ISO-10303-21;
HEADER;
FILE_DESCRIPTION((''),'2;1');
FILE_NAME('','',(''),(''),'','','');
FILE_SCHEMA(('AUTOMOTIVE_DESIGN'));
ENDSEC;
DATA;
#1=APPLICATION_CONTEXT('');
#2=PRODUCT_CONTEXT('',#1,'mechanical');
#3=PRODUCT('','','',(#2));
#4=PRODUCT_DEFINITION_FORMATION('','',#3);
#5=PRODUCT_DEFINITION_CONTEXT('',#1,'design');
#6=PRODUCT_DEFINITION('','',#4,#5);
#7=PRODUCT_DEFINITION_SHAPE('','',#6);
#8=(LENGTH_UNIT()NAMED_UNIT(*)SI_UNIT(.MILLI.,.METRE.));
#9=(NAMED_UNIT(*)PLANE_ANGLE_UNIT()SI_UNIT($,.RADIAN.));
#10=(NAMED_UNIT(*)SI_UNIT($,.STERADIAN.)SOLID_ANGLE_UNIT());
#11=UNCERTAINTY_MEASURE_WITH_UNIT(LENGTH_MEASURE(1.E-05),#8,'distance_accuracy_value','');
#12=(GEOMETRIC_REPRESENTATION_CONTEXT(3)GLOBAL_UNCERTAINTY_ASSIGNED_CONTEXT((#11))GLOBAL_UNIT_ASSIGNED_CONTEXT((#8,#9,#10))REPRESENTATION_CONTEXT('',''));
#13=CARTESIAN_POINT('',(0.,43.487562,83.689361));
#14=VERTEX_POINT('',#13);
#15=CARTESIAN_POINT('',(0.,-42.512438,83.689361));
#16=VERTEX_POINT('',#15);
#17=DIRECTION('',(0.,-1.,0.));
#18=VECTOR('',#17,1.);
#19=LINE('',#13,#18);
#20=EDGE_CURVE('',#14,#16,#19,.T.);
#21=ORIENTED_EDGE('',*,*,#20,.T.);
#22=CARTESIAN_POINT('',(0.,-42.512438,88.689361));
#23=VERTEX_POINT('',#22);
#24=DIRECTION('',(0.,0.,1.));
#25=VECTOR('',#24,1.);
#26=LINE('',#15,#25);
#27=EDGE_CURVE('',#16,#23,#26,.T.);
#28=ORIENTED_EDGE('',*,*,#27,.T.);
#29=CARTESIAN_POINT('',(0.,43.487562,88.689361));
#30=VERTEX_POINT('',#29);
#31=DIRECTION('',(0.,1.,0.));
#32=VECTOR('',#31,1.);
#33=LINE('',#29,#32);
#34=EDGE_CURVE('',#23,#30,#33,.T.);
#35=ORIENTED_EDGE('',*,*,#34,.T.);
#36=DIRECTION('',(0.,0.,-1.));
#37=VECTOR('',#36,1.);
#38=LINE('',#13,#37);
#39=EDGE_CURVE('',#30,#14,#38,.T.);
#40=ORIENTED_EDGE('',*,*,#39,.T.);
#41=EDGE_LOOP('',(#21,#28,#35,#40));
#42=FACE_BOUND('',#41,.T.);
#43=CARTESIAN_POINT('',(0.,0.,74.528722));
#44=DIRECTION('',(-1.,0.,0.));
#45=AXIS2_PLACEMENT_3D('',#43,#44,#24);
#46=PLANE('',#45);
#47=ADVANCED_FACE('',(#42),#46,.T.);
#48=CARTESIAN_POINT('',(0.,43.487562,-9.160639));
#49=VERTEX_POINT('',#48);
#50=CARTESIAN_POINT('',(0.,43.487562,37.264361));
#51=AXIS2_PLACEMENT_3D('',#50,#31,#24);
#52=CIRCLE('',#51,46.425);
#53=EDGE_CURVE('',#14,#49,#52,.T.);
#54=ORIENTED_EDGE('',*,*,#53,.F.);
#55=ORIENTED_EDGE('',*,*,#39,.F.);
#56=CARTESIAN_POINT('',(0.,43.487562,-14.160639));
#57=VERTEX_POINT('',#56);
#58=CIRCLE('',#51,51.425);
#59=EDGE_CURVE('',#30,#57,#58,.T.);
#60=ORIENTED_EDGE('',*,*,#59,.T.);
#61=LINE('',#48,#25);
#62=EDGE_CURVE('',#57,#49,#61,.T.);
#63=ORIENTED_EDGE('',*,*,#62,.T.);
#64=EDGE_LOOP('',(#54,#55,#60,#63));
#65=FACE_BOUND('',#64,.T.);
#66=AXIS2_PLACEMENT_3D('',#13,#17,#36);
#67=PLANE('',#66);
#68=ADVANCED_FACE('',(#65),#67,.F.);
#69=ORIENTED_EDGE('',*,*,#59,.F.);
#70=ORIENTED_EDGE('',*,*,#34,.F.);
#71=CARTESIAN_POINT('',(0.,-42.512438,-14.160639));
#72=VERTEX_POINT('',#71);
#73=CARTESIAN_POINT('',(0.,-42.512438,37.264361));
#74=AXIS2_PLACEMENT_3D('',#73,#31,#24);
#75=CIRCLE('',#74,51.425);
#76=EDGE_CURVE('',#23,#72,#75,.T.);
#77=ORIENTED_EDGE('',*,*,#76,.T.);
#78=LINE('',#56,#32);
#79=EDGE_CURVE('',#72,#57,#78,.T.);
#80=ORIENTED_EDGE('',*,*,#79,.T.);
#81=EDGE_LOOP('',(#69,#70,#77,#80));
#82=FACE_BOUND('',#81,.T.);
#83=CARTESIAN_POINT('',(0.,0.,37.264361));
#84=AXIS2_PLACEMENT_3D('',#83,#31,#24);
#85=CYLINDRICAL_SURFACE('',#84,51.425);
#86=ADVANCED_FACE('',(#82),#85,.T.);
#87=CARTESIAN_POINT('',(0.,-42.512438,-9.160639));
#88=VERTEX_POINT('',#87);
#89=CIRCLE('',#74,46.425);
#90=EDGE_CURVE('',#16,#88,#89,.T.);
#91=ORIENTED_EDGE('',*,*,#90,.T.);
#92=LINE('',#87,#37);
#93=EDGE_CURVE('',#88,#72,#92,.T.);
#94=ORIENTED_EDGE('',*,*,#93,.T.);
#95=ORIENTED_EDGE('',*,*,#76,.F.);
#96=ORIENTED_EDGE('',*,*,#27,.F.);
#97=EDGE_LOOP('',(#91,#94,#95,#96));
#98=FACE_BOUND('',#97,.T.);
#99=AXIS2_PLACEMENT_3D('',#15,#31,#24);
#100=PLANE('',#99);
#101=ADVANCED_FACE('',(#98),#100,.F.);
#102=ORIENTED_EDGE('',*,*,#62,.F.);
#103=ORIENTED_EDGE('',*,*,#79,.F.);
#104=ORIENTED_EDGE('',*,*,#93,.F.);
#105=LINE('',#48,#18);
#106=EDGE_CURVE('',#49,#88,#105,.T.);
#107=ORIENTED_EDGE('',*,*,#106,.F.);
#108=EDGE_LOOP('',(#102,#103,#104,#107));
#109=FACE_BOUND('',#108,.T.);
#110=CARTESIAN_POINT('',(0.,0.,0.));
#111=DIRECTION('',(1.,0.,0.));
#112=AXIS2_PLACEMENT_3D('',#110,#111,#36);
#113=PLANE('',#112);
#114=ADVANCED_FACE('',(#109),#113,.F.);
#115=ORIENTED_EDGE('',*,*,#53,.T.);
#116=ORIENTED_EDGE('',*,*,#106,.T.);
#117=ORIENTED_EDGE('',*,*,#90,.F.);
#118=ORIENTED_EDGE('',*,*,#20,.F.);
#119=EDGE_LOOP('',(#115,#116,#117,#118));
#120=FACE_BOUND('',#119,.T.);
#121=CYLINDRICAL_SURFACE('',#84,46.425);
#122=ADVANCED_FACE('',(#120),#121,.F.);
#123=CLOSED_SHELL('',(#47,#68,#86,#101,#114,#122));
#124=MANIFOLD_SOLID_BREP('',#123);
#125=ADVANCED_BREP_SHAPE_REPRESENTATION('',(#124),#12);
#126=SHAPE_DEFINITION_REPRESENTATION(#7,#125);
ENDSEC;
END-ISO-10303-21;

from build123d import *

# Parameters (mm, degrees)
SKETCH_1_W = 5
SKETCH_1_H = 86


with BuildPart() as part:
    # 扫描1: sweep along a path in 草图2
    with BuildLine(Plane(origin=(0, 0, 0), x_dir=(1, 0, 0), z_dir=(0, 1, 0))) as sweep_1_path:
        ThreePointArc((0, -83.689360979), (46.425, -37.264360979), (0, 9.160639021))
    # 草图1 → 扫描1 (sweep)
    with BuildSketch(Plane(origin=(0, 0, 0), x_dir=(0, 0, -1), z_dir=(1, 0, 0))):
        with Locations((11.660639021, 0.487561787)):
            Rectangle(SKETCH_1_W, SKETCH_1_H)
    sweep(path=sweep_1_path.line)


solid = part.part
